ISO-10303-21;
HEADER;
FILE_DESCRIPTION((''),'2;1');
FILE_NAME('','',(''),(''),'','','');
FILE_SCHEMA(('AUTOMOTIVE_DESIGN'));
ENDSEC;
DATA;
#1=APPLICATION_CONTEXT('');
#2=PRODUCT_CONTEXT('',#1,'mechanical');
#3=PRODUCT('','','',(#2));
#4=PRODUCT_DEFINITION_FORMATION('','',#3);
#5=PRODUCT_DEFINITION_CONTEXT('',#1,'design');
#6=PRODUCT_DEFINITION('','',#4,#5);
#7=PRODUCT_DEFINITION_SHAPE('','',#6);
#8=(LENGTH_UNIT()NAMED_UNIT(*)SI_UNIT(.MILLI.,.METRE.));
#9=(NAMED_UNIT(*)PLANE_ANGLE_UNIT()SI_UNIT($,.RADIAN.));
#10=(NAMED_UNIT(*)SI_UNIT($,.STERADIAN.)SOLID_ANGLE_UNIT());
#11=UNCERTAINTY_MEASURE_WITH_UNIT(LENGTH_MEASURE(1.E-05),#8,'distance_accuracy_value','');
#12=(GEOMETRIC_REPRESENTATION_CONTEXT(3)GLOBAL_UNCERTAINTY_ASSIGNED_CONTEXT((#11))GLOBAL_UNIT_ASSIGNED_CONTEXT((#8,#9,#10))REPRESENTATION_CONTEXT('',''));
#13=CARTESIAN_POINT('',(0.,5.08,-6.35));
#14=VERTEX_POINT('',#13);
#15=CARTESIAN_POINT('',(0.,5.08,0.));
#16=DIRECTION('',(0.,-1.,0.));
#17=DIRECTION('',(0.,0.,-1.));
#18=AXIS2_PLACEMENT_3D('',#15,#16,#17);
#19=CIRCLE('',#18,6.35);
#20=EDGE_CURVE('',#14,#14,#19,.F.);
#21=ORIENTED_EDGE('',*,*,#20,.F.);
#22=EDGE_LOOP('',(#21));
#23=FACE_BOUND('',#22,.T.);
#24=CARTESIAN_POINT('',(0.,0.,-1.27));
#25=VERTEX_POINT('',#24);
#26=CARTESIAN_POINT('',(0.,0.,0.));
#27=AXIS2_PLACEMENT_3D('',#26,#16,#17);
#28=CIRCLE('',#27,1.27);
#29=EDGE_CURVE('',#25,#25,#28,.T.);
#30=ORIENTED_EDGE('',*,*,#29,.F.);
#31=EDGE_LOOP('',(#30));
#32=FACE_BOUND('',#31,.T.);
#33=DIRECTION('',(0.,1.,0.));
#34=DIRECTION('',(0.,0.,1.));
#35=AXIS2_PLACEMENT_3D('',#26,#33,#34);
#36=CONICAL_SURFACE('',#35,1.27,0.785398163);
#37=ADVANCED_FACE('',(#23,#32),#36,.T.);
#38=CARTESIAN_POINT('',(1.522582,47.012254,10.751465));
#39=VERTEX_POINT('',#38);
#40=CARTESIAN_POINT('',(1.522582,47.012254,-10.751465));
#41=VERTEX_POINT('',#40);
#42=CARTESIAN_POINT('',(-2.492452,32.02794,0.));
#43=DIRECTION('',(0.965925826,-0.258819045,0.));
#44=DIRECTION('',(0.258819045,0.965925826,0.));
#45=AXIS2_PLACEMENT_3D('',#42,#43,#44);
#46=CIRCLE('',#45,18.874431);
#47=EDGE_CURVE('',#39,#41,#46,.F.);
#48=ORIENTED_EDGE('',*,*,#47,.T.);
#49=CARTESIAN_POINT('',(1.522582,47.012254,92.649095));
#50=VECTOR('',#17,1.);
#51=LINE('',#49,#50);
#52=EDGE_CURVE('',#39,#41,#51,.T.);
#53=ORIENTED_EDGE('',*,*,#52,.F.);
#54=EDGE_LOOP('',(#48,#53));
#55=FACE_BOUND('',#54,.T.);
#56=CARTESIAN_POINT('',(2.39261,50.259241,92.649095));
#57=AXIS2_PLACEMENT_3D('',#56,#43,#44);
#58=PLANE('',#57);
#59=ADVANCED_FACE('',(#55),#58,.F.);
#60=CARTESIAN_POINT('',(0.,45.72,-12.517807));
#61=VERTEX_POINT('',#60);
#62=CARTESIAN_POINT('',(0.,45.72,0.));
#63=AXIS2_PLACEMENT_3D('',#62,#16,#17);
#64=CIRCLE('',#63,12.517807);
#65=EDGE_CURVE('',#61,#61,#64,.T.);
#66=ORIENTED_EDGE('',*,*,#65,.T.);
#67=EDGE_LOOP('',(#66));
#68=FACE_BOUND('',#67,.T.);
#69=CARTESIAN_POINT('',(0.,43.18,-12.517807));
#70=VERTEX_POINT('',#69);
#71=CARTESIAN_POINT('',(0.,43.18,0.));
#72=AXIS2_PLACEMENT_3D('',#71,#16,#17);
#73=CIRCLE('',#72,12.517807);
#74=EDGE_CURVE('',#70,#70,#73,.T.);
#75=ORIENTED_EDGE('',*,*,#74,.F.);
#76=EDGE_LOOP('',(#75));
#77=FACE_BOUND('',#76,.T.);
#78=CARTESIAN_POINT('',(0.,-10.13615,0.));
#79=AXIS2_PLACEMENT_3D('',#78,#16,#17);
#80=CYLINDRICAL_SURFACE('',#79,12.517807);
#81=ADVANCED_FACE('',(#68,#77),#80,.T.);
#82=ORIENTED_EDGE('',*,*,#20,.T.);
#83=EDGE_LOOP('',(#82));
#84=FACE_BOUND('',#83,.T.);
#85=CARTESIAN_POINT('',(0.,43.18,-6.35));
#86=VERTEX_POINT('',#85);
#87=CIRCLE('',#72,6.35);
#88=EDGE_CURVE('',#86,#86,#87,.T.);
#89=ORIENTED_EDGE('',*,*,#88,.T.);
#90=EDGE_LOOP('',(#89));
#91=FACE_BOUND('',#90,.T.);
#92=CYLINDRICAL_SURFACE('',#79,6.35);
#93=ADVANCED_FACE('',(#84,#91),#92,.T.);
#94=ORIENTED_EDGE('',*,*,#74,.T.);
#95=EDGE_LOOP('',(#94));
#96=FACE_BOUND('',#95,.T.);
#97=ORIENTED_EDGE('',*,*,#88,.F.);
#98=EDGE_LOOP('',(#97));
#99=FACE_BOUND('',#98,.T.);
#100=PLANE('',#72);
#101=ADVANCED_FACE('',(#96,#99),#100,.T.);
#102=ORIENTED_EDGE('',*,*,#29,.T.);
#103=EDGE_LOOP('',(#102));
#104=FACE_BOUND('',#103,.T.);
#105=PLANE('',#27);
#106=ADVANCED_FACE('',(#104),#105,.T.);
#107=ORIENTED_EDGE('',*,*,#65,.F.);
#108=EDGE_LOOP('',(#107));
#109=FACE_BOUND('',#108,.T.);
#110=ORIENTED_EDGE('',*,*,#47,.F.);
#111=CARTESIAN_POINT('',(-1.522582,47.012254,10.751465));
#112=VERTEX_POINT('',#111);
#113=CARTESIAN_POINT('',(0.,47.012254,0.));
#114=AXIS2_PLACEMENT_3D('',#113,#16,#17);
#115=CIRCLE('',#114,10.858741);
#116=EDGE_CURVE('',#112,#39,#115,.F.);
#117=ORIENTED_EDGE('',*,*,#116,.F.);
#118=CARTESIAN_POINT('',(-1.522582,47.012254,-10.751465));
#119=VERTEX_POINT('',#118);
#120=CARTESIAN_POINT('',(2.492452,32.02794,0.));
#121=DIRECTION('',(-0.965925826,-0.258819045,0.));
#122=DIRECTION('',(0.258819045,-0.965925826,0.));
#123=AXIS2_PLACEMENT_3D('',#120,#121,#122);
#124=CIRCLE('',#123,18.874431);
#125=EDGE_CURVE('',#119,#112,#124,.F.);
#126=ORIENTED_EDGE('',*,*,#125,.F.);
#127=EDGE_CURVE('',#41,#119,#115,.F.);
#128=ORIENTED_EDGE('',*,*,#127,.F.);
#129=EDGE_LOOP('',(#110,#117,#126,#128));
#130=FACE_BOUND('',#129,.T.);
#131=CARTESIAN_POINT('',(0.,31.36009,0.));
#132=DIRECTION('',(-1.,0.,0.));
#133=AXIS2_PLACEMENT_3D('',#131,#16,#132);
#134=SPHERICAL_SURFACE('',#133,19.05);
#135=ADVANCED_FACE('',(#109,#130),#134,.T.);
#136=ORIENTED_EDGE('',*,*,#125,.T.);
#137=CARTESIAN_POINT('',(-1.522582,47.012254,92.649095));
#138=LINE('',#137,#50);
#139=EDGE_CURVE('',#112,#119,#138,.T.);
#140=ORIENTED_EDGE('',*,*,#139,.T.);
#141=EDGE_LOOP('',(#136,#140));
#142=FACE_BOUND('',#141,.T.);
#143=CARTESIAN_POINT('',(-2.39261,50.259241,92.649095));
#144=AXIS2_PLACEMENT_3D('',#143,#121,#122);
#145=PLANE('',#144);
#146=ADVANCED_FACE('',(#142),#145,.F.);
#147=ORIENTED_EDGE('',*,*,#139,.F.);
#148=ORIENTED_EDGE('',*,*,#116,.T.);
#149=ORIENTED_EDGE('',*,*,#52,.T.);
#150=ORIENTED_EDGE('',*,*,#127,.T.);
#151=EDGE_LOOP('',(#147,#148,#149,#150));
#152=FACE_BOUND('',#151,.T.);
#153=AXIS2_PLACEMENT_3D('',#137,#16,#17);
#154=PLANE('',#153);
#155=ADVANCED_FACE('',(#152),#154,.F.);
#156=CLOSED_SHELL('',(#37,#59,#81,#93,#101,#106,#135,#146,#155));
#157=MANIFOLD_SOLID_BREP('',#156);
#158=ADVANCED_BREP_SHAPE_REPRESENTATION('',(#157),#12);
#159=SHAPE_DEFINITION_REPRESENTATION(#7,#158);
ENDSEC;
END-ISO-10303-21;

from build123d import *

# Parameters (mm, degrees)
CHAMFER4_SIZE           = 5.08
CUT_EXTRUDE2_DEPTH      = 13.517807
CUT_EXTRUDE2_DEPTH_BACK = 13.517807


with BuildPart() as part:
    # Sketch1 one side → Revolve13 (revolve)
    with BuildSketch(Plane.XY):
        Polygon((-6.35, 43.18), (-6.35, 0), (0, 0), (0, 45.72), (-12.517807, 45.72), (-12.517807, 43.18), align=None)
        with BuildLine():
            ThreePointArc((0, 50.41009), (-6.683794, 49.199075), (-12.517807, 45.72))
            Line((-12.517807, 45.72), (0, 45.72))
            Line((0, 45.72), (0, 50.41009))
        make_face()
    revolve(axis=Axis((0, -10.13615, 0), (0, 1, 0)))

    # Chamfer4
    chamfer4_edges = [part.edges().sort_by_distance(p)[0] for p in [
        (6.35, 0, 0),
    ]]
    chamfer(chamfer4_edges, length=CHAMFER4_SIZE)

    # Sketch4 → Cut-Extrude2 (cut, two sides)
    with BuildSketch(Plane.XY) as cut_extrude2_sk:
        Polygon((-32.117638, 161.194555), (-2.39261, 50.259241), (-1.522582, 47.012254), (1.522582, 47.012254), (2.39261, 50.259241), (32.117638, 161.194555), (32.117638, 390.891931), (-32.117638, 390.891931), align=None)
    extrude(amount=CUT_EXTRUDE2_DEPTH, mode=Mode.SUBTRACT)
    extrude(cut_extrude2_sk.sketch, amount=-CUT_EXTRUDE2_DEPTH_BACK, mode=Mode.SUBTRACT)


solid = part.part
